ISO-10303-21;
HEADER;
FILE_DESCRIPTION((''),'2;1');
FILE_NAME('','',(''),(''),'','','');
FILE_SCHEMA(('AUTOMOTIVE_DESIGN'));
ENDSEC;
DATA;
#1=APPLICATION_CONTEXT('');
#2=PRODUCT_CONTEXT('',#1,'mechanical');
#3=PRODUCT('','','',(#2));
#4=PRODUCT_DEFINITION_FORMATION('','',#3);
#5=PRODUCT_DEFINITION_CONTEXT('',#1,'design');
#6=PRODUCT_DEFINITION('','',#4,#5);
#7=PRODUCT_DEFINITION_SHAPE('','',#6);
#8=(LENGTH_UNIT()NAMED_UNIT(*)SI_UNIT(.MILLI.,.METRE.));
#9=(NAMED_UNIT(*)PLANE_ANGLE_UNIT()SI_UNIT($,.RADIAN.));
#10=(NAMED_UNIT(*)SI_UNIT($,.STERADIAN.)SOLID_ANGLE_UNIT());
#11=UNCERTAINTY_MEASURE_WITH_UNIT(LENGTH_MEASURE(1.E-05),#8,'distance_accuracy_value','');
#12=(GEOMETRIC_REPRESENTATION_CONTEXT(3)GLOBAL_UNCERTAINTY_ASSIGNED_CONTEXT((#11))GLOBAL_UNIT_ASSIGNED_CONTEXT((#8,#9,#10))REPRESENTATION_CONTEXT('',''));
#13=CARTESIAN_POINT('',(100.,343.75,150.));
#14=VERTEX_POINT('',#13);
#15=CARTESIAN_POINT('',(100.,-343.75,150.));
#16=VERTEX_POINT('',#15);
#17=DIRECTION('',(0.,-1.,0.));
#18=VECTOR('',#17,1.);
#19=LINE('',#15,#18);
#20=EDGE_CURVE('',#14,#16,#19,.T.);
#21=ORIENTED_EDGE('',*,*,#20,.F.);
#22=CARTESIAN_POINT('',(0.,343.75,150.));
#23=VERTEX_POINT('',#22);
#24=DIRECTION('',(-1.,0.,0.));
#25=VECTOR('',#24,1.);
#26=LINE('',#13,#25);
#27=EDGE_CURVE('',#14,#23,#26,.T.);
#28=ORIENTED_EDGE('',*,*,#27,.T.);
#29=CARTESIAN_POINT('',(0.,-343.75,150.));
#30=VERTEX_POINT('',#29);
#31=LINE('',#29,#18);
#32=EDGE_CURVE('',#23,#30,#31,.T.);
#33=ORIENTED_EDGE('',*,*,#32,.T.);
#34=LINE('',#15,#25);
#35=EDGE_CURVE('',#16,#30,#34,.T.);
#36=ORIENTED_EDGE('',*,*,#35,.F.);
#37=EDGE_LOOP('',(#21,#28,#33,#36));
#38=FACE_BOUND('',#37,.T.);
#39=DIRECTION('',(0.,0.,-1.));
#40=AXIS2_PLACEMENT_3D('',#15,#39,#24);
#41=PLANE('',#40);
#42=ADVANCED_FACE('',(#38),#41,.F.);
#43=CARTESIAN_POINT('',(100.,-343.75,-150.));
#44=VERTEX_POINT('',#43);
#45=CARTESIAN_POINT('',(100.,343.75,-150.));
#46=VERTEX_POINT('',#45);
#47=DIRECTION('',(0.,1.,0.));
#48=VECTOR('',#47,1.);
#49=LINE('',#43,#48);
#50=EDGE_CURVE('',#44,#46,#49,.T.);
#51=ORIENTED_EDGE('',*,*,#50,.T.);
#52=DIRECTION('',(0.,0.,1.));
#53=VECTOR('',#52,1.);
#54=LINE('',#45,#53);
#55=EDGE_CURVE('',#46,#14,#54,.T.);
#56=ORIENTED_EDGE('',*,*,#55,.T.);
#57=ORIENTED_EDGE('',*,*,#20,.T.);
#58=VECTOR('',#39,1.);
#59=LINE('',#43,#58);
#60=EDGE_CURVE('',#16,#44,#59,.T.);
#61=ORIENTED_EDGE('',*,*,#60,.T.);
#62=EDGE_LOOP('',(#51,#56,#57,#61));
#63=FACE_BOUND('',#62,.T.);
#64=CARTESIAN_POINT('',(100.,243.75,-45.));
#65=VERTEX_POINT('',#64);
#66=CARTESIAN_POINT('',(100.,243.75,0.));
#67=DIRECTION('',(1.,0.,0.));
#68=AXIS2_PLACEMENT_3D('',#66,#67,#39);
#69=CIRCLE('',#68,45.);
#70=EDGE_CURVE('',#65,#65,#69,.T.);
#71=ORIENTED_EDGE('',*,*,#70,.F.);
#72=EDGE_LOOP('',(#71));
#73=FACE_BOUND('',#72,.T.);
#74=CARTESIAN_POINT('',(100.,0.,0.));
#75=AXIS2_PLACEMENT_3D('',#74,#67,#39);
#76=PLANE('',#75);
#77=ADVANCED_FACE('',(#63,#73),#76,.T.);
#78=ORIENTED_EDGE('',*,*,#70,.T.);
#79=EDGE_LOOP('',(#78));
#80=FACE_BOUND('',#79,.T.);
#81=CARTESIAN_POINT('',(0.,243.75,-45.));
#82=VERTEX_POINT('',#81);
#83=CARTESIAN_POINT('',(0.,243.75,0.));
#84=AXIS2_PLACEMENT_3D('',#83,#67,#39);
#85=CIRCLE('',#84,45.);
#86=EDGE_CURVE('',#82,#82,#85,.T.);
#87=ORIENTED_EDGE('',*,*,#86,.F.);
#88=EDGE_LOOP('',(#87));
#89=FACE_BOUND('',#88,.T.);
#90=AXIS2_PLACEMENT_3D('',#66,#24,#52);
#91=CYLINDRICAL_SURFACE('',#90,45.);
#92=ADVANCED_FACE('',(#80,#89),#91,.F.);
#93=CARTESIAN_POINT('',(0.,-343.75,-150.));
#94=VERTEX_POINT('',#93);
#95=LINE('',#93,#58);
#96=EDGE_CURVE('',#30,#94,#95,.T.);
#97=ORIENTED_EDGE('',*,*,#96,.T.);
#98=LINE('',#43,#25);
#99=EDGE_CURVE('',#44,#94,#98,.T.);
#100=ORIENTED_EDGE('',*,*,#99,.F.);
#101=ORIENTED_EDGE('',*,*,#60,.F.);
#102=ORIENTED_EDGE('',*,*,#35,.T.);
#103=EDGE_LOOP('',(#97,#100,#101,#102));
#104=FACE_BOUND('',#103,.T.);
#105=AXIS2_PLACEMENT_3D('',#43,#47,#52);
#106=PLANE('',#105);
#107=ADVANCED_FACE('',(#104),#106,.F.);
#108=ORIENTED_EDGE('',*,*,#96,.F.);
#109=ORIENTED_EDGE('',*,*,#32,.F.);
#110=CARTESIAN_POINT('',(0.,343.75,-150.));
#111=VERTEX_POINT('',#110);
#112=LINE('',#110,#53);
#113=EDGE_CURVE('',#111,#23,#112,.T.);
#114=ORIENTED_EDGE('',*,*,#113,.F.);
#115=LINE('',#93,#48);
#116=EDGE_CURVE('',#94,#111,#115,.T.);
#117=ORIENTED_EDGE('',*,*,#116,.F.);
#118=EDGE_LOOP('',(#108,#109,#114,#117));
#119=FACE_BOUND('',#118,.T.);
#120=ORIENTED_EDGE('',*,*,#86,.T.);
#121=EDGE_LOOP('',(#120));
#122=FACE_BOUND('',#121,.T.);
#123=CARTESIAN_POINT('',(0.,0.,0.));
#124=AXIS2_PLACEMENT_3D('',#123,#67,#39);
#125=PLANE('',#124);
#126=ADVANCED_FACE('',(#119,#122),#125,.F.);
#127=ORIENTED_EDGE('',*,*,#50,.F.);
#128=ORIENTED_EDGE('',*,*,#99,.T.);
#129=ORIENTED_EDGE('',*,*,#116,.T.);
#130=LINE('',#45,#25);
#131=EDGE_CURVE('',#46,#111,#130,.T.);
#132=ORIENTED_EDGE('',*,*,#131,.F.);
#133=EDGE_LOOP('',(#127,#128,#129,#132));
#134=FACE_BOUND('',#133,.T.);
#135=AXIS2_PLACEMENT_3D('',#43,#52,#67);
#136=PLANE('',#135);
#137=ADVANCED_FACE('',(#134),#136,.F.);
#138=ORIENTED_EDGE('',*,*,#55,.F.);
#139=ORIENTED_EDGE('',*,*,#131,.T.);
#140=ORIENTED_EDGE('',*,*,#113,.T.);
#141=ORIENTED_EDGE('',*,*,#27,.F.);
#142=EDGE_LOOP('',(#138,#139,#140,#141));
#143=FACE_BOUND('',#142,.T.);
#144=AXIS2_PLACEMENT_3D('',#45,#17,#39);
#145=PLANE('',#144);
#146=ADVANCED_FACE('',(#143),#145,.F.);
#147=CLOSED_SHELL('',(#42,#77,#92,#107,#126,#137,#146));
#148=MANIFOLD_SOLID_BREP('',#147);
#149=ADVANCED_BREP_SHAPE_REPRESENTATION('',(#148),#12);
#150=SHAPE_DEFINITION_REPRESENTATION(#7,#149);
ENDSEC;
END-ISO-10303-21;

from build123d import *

# Parameters (mm, degrees)
SKETCH1_W           = 300
SKETCH1_H           = 687.5
SKETCH1_R           = 45
BOSS_EXTRUDE1_DEPTH = 100


with BuildPart() as part:
    # Sketch1 → Boss-Extrude1 (new body)
    with BuildSketch(Plane(origin=(0, 0, 0), x_dir=(0, 0, -1), z_dir=(1, 0, 0))):
        Rectangle(SKETCH1_W, SKETCH1_H)
        with Locations((0, 243.75)):
            Circle(SKETCH1_R, mode=Mode.SUBTRACT)
    extrude(amount=BOSS_EXTRUDE1_DEPTH)


solid = part.part
